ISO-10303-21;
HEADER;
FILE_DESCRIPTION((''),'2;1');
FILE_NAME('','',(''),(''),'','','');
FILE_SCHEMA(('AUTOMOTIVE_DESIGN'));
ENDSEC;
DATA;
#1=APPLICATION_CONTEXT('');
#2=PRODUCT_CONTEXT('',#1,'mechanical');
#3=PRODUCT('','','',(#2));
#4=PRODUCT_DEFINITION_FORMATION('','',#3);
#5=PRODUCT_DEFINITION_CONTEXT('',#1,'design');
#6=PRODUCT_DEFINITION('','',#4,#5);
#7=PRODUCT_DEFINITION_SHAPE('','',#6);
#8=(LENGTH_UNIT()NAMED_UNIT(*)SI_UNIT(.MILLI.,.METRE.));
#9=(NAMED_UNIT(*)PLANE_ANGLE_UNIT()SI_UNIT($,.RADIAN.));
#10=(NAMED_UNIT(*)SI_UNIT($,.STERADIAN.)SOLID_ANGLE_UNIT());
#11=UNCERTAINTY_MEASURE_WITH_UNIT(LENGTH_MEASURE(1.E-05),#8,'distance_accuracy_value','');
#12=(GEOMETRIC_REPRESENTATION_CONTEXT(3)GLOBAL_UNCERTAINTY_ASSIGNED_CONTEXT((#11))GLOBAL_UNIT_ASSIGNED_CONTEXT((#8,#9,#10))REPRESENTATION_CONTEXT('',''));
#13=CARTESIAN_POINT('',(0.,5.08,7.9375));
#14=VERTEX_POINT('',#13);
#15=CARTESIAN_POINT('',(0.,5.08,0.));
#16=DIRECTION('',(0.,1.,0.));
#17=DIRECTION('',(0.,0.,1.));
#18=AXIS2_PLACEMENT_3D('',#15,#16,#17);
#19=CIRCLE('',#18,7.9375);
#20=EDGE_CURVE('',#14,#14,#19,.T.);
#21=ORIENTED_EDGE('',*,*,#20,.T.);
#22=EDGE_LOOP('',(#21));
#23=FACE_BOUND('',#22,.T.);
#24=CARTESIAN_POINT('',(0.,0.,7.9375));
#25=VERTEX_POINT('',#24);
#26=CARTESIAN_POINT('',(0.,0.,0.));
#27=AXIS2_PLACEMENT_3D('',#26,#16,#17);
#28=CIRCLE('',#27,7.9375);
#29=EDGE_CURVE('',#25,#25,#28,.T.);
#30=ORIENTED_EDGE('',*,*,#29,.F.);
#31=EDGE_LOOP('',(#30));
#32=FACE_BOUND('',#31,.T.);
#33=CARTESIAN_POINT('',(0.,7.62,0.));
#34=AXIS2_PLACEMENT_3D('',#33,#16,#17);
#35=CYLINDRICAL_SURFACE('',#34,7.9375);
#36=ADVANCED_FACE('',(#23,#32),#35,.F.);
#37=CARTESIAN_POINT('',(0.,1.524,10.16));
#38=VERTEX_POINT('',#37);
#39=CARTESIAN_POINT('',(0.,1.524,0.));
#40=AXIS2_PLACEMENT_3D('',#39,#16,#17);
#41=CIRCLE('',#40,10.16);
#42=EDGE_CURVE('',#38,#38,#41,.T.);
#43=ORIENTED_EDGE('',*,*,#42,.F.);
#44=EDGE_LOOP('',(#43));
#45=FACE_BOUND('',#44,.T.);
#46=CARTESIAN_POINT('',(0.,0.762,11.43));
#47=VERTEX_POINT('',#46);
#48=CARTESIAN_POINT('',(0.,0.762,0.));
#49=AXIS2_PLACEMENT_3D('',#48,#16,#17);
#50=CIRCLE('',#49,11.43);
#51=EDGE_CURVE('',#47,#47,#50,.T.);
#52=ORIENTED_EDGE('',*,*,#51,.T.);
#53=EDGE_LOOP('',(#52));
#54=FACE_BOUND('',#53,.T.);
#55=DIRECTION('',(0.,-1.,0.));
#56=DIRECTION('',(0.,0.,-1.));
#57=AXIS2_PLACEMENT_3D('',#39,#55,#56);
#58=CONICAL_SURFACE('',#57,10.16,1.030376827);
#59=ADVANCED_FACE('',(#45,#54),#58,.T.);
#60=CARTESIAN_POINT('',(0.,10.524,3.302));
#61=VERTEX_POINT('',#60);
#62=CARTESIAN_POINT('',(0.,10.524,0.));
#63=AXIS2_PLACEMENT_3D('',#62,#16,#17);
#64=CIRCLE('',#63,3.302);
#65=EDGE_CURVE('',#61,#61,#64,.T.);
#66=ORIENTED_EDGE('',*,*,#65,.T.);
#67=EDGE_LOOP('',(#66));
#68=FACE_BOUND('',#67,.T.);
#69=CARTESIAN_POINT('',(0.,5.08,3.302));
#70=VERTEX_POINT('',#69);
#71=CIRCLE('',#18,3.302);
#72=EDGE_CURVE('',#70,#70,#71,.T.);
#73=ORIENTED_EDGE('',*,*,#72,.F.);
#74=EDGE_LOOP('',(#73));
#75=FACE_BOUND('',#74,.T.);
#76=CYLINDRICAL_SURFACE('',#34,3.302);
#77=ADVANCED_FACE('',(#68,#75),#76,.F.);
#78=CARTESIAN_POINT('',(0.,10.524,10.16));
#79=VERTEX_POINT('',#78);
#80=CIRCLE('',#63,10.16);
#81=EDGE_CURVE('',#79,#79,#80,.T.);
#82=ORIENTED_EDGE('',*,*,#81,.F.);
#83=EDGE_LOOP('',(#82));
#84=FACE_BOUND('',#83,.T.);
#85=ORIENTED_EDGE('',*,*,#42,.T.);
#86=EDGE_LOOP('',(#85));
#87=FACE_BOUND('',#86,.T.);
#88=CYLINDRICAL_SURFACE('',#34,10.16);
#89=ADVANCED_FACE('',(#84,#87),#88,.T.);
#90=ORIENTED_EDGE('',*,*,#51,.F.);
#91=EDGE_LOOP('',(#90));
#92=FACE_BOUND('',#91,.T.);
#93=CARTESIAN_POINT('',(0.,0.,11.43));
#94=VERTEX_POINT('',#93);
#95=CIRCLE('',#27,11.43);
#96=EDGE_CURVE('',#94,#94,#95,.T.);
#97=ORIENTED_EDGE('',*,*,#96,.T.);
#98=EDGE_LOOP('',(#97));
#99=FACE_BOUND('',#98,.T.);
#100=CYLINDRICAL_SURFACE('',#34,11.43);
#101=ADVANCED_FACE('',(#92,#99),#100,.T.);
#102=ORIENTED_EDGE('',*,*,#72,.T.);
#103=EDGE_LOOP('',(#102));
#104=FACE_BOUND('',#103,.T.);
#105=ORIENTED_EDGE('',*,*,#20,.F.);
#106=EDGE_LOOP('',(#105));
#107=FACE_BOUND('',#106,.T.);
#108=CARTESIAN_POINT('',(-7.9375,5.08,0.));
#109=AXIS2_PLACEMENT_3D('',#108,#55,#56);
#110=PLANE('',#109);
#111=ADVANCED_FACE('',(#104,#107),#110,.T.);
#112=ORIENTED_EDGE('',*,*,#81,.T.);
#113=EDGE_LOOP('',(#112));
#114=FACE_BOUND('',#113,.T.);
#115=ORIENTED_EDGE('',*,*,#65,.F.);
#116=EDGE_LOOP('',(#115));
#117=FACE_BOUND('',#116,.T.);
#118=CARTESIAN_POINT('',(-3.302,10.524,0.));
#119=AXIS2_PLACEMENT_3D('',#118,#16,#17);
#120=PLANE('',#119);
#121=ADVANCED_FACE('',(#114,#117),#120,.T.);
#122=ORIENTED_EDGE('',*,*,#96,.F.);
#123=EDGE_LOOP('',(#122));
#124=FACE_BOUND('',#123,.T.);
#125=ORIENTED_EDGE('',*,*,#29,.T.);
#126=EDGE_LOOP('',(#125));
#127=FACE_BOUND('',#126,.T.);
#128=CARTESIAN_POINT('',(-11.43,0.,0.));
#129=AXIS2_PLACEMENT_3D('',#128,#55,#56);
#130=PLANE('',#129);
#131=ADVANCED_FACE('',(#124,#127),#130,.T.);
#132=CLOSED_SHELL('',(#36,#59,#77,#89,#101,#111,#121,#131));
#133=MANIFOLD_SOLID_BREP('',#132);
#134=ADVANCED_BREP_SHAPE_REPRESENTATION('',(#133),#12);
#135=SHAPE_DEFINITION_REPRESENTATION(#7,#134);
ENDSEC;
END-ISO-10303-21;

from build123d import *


with BuildPart() as part:
    # Sketch1 → Revolve1 (revolve)
    with BuildSketch(Plane.XY):
        Polygon((-3.302, 10.524), (-10.16, 10.524), (-10.16, 1.524), (-11.43, 0.762), (-11.43, 0), (-7.9375, 0), (-7.9375, 5.08), (-3.302, 5.08), align=None)
    revolve(axis=Axis((0, 7.62, 0), (0, -1, 0)))


solid = part.part
